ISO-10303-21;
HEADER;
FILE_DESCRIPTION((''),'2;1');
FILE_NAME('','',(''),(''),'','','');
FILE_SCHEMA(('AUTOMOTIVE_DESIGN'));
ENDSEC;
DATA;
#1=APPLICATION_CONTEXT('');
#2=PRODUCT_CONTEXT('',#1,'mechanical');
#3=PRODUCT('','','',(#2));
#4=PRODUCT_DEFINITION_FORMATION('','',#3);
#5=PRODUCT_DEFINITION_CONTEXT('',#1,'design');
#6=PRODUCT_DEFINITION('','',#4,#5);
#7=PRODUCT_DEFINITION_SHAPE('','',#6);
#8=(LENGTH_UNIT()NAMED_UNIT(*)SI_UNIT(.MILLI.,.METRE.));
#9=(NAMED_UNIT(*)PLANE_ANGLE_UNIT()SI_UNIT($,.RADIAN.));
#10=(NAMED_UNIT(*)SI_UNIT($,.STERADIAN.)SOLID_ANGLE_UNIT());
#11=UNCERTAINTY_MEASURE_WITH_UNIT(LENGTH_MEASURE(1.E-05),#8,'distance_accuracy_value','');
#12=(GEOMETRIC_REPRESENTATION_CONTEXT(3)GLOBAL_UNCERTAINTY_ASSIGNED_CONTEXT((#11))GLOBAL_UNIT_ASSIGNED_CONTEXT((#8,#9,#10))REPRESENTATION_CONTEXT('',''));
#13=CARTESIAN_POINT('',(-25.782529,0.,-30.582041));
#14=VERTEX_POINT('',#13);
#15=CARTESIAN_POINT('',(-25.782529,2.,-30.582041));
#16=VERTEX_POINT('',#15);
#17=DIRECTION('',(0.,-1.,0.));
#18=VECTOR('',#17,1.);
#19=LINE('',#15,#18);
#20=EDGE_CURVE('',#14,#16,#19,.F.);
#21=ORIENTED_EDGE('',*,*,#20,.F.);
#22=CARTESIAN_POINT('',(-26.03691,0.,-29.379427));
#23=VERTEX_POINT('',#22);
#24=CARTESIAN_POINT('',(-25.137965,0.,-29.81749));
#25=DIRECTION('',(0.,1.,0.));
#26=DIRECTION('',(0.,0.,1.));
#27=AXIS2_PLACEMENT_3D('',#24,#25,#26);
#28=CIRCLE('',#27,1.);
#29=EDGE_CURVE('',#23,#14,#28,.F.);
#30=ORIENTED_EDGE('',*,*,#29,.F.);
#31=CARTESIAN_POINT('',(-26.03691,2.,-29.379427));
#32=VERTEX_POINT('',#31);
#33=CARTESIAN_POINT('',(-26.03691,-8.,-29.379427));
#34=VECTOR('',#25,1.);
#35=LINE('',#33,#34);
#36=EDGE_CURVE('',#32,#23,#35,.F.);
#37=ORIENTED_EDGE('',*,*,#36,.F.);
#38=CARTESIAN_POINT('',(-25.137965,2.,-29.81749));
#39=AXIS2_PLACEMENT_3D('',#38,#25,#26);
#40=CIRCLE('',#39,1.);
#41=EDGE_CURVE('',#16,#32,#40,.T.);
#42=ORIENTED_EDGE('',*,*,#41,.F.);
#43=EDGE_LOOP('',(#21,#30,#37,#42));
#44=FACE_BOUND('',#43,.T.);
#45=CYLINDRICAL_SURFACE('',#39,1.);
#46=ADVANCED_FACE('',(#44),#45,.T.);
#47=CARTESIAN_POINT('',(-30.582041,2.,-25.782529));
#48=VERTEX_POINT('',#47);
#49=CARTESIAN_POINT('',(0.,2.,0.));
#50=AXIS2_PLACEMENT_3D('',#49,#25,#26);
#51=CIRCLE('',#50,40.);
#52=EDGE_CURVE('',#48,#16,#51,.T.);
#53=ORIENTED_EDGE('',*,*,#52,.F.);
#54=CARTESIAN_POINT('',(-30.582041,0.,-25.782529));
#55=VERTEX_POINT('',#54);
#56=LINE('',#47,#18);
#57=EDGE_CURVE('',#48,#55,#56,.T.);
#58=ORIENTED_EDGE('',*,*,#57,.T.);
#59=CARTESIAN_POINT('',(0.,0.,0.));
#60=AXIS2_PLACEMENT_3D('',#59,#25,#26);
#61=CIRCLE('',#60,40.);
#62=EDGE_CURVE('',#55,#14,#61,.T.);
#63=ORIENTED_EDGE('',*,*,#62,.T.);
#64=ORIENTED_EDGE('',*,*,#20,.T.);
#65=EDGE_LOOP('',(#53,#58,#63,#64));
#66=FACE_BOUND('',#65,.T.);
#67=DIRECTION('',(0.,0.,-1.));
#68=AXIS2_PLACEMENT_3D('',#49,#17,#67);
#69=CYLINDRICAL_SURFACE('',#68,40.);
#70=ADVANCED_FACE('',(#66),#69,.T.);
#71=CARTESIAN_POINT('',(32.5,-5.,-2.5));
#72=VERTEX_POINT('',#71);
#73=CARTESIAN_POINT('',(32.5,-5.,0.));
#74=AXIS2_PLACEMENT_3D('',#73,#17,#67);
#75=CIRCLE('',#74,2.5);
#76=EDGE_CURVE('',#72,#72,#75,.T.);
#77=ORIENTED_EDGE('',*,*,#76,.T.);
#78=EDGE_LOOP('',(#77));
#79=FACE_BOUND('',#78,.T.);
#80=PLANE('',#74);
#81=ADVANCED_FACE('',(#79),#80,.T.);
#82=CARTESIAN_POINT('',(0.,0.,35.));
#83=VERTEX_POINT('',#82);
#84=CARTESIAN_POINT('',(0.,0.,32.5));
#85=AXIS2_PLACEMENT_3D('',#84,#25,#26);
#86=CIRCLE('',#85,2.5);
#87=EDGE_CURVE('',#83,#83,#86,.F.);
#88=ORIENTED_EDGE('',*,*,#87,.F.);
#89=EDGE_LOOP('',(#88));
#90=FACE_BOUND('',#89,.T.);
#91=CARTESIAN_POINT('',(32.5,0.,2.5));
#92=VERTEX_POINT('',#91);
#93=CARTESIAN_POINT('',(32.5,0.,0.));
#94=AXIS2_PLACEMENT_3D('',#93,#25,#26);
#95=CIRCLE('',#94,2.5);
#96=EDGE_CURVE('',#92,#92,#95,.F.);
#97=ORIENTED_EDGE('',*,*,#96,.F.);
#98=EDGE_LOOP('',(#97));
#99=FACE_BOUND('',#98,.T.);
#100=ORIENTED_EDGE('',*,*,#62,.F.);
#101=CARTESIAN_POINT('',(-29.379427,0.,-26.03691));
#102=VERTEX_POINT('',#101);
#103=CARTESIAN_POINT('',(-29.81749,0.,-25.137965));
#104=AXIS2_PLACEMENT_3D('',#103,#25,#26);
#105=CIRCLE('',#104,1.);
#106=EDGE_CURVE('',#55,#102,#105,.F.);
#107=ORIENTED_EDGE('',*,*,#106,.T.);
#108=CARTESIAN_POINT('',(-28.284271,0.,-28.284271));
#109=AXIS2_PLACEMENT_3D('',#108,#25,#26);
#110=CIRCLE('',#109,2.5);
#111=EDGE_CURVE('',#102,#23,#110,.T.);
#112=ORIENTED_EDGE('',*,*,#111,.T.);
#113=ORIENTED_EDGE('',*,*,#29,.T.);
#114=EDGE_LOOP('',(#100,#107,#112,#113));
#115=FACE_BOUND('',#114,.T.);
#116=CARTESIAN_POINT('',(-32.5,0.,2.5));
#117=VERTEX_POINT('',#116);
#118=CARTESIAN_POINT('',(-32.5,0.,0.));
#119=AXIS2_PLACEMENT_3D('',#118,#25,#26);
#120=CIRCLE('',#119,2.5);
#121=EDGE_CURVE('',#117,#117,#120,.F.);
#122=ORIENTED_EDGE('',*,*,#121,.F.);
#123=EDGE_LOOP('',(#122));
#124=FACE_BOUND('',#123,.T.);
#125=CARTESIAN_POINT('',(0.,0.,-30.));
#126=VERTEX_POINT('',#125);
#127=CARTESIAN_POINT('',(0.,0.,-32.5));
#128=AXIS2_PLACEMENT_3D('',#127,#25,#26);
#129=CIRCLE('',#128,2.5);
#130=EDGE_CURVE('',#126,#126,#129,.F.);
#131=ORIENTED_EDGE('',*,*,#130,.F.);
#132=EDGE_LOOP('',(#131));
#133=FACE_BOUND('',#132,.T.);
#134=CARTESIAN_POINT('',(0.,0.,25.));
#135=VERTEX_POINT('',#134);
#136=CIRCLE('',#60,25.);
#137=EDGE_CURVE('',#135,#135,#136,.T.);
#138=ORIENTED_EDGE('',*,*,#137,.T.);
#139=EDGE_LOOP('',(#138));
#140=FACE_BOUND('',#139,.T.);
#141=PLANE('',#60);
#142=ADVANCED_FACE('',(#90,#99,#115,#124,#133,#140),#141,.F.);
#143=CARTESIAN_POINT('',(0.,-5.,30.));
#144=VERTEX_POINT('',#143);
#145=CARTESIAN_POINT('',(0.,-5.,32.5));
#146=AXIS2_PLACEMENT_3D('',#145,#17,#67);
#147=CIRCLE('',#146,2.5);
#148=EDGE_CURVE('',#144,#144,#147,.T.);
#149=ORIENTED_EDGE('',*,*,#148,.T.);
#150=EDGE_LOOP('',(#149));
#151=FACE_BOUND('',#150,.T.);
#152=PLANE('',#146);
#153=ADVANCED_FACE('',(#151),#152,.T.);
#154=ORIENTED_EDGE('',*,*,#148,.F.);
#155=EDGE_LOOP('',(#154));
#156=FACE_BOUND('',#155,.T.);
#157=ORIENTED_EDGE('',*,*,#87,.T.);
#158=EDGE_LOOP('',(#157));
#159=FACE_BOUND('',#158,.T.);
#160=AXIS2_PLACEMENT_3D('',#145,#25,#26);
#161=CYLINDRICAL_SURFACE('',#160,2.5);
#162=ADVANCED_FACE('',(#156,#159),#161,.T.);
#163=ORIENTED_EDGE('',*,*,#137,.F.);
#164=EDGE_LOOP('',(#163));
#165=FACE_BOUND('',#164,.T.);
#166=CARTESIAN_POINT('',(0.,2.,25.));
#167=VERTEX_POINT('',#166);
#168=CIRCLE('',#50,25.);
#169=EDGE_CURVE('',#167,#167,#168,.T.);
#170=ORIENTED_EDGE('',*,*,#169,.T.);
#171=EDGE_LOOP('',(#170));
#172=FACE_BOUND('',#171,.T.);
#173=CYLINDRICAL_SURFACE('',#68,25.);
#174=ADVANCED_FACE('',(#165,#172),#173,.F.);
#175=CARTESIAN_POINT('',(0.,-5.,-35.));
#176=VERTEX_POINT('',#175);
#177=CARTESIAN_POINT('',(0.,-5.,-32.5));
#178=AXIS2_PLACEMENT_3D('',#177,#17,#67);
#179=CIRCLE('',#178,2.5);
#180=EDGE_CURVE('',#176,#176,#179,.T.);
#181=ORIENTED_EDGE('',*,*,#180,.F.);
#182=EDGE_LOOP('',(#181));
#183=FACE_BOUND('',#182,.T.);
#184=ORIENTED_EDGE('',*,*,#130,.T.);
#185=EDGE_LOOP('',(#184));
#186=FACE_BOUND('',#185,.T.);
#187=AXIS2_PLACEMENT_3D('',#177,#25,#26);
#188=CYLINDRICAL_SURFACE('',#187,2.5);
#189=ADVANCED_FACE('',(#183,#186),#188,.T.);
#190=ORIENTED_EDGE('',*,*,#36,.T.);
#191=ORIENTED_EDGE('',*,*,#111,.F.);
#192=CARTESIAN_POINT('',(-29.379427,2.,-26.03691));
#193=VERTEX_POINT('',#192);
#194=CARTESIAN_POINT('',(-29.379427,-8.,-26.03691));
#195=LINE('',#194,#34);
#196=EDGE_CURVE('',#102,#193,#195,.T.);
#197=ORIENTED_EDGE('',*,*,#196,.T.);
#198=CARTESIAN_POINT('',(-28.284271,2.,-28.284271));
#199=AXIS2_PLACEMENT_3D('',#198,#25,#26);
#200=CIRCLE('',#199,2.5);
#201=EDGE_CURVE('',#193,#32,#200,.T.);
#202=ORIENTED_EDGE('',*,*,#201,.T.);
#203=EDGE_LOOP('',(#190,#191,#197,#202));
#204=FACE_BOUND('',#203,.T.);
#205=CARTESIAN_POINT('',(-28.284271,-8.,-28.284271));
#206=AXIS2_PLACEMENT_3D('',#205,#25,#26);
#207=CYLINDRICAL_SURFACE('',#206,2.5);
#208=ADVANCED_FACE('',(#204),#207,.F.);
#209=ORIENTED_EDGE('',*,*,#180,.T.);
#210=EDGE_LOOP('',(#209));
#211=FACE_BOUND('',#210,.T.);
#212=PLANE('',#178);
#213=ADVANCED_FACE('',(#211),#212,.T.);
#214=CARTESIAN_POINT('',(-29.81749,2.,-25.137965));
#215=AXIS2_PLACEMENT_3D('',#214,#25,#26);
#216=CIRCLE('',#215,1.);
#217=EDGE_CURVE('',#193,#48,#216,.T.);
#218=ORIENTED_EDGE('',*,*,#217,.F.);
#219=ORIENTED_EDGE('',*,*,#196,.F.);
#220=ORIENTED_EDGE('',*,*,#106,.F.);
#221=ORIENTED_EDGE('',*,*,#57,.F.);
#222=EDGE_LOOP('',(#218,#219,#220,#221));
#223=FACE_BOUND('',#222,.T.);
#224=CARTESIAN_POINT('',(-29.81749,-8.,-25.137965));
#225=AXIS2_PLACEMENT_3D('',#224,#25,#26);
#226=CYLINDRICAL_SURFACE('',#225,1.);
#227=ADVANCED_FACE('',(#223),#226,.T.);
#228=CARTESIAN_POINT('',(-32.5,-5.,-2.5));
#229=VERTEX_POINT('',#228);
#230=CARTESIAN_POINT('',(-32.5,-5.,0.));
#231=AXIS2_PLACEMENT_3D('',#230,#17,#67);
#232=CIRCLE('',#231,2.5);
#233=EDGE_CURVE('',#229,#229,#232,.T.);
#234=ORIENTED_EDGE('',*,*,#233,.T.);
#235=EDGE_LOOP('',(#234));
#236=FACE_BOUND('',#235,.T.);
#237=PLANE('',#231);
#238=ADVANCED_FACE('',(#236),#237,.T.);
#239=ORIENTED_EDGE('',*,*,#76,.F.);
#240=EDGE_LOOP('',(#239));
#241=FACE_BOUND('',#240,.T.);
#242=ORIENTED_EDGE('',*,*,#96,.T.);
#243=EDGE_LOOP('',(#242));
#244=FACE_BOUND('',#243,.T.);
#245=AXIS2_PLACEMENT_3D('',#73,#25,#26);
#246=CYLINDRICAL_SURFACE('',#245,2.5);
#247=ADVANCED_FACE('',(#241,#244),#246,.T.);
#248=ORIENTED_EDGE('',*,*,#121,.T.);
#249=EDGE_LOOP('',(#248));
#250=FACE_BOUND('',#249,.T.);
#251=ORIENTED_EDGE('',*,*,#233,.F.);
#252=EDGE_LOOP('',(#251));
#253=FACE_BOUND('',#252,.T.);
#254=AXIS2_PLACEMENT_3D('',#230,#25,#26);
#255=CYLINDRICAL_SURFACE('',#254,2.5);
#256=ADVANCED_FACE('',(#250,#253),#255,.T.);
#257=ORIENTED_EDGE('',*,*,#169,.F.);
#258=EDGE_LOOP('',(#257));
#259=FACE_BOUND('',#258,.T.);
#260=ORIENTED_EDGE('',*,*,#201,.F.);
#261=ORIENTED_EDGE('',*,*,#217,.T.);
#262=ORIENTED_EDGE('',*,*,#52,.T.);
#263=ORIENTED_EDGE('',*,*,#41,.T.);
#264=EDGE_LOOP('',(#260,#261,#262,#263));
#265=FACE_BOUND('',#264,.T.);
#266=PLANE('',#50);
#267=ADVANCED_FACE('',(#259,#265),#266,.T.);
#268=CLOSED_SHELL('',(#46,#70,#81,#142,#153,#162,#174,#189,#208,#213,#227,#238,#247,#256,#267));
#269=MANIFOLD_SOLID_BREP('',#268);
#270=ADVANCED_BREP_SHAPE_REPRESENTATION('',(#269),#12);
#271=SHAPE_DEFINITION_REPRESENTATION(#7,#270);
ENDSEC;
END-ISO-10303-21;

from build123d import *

# Parameters (mm, degrees)
SKETCH2_R           = 40
SKETCH2_R_2         = 25
BOSS_EXTRUDE2_DEPTH = 2
SKETCH4_R           = 2.5
BOSS_EXTRUDE3_DEPTH = 5
SKETCH5_R           = 2.5
CUT_EXTRUDE1_DEPTH  = 10
FILLET1_R           = 1
FILLET2_R           = 1


with BuildPart() as part:
    # Sketch2 → Boss-Extrude2 (new body)
    with BuildSketch(Plane(origin=(0, 0, 0), x_dir=(1, 0, 0), z_dir=(0, 1, 0))):
        with Locations(Location((0, 0, 0), (0, 0, 270))):
            Circle(SKETCH2_R)
        with Locations(Location((0, 0, 0), (0, 0, 270))):
            Circle(SKETCH2_R_2, mode=Mode.SUBTRACT)
    extrude(amount=BOSS_EXTRUDE2_DEPTH)

    # Sketch4 → Boss-Extrude3 (add)
    with BuildSketch(Plane.XZ):
        with Locations(Location((0, -32.5, 0), (0, 0, 90))):
            Circle(SKETCH4_R)
        with Locations(Location((32.5, 0, 0), (0, 0, 90))):
            Circle(SKETCH4_R)
        with Locations(Location((0, 32.5, 0), (0, 0, 90))):
            Circle(SKETCH4_R)
        with Locations(Location((-32.5, 0, 0), (0, 0, 90))):
            Circle(SKETCH4_R)
    extrude(amount=BOSS_EXTRUDE3_DEPTH)

    # Sketch5 → Cut-Extrude1 (cut)
    with BuildSketch(Plane(origin=(0, 2, 0), x_dir=(1, 0, 0), z_dir=(0, 1, 0))):
        with Locations((-28.284271247, 28.284271247)):
            Circle(SKETCH5_R)
    extrude(amount=-CUT_EXTRUDE1_DEPTH, mode=Mode.SUBTRACT)

    # Fillet1
    fillet1_edges = [part.edges().sort_by_distance(p)[0] for p in [
        (-26.462124956, 1, -29.995932105),
    ]]
    fillet(fillet1_edges, radius=FILLET1_R)

    # Fillet2
    fillet2_edges = [part.edges().sort_by_distance(p)[0] for p in [
        (-29.995932105, 1, -26.462124956),
    ]]
    fillet(fillet2_edges, radius=FILLET2_R)


solid = part.part
